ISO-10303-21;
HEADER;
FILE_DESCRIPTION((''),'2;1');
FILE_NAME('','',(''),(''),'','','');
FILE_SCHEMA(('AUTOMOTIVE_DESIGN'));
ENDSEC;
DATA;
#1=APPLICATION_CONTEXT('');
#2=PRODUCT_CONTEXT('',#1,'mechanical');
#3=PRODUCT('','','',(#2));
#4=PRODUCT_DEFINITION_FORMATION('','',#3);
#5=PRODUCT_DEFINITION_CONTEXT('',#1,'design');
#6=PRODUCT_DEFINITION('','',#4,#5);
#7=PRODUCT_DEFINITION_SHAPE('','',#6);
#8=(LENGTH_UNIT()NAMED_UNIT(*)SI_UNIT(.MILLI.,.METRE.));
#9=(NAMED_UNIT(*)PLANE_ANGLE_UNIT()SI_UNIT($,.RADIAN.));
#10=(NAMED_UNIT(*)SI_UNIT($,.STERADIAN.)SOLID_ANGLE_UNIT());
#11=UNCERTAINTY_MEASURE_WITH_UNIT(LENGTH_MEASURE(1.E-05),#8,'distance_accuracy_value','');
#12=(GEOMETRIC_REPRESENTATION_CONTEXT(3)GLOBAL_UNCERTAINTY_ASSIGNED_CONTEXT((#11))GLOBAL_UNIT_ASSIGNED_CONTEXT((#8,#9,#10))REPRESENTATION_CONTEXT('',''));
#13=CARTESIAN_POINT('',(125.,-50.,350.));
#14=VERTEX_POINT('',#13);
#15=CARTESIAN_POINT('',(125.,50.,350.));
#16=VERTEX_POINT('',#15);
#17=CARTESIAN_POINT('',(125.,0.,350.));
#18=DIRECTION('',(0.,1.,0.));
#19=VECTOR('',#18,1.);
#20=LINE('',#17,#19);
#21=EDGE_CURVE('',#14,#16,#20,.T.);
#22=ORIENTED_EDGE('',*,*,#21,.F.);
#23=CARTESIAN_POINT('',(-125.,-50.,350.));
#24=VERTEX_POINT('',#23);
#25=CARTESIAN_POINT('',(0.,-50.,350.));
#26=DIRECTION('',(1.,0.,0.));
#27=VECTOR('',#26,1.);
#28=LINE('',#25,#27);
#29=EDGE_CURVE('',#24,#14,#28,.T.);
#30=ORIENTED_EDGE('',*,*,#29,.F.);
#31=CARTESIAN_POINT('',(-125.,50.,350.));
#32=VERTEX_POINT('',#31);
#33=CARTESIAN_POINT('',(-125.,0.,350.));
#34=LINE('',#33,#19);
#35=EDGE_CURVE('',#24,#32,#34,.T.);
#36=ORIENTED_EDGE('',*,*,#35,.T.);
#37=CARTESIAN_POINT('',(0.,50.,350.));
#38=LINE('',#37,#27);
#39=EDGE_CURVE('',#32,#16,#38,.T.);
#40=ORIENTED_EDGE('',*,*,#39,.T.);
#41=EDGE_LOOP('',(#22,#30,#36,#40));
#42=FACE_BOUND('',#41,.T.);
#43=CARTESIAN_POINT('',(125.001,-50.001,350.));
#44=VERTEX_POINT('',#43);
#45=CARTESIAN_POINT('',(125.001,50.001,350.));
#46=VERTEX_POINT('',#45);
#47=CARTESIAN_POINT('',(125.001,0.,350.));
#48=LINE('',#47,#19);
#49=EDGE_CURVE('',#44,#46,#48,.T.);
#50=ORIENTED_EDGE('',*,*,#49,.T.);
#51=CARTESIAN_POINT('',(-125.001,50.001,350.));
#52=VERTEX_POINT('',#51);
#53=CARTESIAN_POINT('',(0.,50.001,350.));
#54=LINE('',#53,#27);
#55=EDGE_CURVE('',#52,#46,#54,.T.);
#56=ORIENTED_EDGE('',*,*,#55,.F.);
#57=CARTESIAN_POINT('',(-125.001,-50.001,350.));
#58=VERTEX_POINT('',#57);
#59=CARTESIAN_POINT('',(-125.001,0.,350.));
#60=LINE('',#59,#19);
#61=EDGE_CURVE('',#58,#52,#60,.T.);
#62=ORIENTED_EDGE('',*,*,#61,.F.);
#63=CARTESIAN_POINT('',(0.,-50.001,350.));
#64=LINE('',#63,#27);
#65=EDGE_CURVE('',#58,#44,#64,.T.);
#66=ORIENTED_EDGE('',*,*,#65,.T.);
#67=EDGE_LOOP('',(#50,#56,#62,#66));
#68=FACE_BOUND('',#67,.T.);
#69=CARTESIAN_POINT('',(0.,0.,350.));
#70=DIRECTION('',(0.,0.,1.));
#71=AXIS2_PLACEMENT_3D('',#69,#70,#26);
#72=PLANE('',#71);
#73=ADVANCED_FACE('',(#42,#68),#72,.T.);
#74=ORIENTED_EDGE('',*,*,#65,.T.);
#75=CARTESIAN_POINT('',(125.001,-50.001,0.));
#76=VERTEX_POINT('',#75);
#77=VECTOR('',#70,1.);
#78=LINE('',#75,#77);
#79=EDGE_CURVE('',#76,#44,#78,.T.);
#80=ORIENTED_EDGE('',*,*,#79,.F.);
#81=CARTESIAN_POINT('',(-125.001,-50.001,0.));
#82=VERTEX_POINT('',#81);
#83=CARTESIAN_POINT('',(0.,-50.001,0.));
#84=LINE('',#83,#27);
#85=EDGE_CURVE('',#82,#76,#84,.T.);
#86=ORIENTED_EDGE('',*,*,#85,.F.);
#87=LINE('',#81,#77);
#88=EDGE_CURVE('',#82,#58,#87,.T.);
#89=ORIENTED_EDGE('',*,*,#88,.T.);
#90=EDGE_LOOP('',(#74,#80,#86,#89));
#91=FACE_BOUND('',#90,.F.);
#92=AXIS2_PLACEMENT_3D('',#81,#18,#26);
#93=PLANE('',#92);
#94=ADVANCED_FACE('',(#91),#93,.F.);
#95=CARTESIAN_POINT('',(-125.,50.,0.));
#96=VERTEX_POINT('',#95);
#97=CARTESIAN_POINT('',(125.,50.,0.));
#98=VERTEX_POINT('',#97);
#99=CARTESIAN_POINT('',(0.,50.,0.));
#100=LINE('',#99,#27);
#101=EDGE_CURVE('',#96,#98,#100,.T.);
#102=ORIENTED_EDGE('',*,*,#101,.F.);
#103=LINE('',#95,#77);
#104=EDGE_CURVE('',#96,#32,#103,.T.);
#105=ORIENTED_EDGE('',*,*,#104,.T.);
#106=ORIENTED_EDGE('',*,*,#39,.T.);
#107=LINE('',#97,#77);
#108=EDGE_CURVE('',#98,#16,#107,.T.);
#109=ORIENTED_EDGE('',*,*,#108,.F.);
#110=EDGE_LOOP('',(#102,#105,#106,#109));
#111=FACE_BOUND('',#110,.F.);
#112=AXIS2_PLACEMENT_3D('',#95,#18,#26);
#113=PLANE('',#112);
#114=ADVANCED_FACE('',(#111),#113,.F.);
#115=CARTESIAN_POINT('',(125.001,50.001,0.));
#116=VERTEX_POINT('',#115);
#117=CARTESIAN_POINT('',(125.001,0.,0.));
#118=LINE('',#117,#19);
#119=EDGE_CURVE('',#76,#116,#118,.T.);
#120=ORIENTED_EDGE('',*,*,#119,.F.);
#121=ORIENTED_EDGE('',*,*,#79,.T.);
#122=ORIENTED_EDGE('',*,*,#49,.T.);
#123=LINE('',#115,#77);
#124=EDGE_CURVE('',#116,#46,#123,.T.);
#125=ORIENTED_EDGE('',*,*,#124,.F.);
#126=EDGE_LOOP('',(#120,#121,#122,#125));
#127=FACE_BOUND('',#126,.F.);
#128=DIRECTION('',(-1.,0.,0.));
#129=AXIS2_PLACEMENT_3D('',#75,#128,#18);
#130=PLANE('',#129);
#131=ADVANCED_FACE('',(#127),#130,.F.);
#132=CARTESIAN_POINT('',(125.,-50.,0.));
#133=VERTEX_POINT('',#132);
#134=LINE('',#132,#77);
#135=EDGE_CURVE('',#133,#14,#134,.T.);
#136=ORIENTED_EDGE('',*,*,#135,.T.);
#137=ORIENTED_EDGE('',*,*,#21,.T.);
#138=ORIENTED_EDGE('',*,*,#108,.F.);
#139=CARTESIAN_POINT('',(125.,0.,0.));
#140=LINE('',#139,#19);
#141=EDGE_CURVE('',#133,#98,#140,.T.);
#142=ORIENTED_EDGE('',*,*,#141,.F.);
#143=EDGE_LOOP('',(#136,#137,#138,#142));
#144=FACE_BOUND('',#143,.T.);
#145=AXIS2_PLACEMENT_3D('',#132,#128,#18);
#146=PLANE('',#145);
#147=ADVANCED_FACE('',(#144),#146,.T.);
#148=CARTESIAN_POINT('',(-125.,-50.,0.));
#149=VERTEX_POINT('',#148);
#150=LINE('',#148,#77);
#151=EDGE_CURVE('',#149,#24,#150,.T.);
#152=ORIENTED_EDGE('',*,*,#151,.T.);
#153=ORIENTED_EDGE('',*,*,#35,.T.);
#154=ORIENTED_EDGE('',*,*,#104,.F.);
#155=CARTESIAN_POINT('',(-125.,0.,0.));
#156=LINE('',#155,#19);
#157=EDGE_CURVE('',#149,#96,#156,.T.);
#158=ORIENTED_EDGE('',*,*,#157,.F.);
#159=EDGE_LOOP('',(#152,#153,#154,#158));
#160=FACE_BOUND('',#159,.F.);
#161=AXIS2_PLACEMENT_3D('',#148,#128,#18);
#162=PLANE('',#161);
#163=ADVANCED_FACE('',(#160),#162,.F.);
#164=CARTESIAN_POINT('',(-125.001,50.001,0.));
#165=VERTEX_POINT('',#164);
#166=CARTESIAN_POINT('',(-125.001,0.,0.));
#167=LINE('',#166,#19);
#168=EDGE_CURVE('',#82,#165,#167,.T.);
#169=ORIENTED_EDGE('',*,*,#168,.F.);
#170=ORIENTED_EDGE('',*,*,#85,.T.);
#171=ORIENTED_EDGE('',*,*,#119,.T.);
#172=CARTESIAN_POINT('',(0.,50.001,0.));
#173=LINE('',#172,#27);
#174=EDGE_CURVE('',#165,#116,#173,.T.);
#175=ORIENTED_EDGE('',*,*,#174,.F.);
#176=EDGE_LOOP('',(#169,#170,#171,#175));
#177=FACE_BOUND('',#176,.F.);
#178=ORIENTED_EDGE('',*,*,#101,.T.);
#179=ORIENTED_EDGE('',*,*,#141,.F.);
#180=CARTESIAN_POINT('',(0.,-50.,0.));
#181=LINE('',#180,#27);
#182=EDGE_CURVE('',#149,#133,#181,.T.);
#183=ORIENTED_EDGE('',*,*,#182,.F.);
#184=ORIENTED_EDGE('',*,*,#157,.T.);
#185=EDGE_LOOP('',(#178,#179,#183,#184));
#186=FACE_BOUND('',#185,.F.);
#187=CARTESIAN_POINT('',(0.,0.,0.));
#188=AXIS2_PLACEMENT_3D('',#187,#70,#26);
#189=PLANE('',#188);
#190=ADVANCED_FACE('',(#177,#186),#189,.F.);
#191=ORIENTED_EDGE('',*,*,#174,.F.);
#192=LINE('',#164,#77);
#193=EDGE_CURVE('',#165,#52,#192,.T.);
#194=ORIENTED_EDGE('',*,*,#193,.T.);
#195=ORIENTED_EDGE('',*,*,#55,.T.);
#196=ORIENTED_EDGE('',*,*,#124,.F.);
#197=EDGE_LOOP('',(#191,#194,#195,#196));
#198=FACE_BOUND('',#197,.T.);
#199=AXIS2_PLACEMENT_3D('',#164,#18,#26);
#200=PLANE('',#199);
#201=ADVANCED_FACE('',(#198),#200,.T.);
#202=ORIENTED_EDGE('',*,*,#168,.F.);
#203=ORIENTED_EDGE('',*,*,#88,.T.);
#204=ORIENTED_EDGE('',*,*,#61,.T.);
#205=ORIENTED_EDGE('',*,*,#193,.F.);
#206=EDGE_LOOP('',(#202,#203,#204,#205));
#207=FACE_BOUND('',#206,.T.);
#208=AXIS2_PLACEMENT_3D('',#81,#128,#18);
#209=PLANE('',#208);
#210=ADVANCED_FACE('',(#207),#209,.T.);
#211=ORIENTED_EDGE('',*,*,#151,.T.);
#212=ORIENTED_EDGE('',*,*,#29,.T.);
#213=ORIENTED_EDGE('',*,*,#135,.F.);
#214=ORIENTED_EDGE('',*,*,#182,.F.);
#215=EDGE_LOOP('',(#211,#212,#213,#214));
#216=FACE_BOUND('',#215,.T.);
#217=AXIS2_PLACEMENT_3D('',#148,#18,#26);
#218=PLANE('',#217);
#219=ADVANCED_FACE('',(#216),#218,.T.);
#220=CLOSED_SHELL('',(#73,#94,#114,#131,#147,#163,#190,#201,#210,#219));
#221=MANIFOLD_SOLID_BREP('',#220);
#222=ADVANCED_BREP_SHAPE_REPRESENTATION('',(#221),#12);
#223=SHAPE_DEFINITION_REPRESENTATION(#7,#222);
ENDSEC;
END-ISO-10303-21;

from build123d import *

# Parameters (mm, degrees)
ESQUISSE1_W        = 250.002
ESQUISSE1_H        = 100.002
ESQUISSE1_W_2      = 250
ESQUISSE1_H_2      = 100
EXTRU_MINCE1_DEPTH = 350


with BuildPart() as part:
    # Esquisse1 → Extru.-Mince1 (new body)
    with BuildSketch(Plane.XY):
        Rectangle(ESQUISSE1_W, ESQUISSE1_H)
        Rectangle(ESQUISSE1_W_2, ESQUISSE1_H_2, mode=Mode.SUBTRACT)
    extrude(amount=EXTRU_MINCE1_DEPTH)


solid = part.part
